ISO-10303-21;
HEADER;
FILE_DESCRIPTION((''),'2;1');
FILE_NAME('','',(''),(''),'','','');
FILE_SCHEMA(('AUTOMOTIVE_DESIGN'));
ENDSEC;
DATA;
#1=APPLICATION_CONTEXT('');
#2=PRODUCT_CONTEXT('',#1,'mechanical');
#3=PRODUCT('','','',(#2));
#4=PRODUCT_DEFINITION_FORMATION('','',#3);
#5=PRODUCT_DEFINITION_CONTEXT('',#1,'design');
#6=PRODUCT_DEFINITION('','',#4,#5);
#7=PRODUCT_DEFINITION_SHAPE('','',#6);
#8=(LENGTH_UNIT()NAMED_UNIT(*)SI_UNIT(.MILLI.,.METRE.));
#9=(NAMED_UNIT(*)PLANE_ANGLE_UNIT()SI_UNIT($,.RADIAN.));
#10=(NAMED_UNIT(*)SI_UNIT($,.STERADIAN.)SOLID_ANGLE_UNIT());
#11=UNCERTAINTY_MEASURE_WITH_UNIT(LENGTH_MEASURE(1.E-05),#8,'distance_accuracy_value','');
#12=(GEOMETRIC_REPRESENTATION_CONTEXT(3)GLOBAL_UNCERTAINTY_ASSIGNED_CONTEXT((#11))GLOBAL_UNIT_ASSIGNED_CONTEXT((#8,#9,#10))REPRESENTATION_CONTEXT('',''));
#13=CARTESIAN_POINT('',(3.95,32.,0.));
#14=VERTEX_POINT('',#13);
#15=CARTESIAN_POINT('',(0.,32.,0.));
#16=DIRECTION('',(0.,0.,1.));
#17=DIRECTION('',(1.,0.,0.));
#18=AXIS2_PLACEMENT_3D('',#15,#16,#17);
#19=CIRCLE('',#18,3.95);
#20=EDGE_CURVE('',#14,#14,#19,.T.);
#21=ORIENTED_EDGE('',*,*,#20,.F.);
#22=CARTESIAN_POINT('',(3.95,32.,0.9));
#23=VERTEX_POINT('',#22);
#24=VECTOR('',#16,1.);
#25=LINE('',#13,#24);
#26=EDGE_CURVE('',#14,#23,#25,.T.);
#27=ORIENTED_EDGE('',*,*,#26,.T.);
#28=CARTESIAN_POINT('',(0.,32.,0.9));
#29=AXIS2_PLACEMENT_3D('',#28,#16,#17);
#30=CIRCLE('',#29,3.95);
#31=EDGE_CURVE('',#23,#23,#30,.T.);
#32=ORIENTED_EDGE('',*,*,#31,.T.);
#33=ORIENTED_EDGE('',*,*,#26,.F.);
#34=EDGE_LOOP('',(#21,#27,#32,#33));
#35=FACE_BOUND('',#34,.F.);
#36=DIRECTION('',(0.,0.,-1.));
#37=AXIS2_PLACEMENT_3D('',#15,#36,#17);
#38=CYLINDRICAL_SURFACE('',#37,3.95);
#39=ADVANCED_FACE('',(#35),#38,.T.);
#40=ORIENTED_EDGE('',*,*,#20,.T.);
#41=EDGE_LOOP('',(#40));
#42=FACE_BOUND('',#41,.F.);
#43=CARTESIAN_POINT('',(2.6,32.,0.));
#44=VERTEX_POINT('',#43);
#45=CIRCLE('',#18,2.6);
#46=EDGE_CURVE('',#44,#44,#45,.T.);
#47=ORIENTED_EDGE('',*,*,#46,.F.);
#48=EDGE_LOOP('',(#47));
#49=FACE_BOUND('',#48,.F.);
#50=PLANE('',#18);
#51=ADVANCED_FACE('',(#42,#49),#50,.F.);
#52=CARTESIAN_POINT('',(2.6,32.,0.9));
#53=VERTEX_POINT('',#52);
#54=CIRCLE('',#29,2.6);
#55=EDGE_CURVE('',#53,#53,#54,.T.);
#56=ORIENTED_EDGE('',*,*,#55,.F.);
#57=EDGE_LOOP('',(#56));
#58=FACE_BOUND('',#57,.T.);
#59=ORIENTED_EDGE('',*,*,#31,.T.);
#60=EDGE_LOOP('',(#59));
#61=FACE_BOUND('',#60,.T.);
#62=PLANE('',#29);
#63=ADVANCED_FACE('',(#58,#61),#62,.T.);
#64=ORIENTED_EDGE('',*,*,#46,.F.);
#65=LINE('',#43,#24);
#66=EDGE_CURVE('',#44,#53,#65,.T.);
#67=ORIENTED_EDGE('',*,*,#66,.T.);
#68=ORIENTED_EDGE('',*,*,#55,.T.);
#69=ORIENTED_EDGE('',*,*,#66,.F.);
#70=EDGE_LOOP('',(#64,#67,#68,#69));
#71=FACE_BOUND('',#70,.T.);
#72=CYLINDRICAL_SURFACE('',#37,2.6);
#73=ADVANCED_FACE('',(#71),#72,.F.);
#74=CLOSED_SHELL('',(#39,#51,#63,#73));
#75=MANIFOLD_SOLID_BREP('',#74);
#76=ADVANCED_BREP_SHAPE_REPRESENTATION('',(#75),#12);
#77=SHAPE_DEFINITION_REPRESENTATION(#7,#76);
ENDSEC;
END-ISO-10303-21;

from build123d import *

# Parameters (mm, degrees)
CYLINDER036_R     = 2.6
CYLINDER036_DEPTH = 0.9
CYLINDER037_R     = 3.95
CYLINDER037_DEPTH = 0.9


with BuildPart() as cylinder037:
    # Cylinder036 → Cylinder036 (new body)
    with BuildSketch(Plane.XY):
        Circle(CYLINDER036_R)
    extrude(amount=CYLINDER036_DEPTH)


with BuildPart() as washer:
    # Cylinder037 → Cylinder037 (new body)
    with BuildSketch(Plane.XY):
        Circle(CYLINDER037_R)
    extrude(amount=CYLINDER037_DEPTH)

    # Cut022020015: cut Cylinder037
    add(cylinder037.part, mode=Mode.SUBTRACT)


with BuildPart() as washer_1:
    # Cut022020015 placement: moved
    add(washer.part.moved(Location((0, 32, 0))))


solid = washer_1.part
